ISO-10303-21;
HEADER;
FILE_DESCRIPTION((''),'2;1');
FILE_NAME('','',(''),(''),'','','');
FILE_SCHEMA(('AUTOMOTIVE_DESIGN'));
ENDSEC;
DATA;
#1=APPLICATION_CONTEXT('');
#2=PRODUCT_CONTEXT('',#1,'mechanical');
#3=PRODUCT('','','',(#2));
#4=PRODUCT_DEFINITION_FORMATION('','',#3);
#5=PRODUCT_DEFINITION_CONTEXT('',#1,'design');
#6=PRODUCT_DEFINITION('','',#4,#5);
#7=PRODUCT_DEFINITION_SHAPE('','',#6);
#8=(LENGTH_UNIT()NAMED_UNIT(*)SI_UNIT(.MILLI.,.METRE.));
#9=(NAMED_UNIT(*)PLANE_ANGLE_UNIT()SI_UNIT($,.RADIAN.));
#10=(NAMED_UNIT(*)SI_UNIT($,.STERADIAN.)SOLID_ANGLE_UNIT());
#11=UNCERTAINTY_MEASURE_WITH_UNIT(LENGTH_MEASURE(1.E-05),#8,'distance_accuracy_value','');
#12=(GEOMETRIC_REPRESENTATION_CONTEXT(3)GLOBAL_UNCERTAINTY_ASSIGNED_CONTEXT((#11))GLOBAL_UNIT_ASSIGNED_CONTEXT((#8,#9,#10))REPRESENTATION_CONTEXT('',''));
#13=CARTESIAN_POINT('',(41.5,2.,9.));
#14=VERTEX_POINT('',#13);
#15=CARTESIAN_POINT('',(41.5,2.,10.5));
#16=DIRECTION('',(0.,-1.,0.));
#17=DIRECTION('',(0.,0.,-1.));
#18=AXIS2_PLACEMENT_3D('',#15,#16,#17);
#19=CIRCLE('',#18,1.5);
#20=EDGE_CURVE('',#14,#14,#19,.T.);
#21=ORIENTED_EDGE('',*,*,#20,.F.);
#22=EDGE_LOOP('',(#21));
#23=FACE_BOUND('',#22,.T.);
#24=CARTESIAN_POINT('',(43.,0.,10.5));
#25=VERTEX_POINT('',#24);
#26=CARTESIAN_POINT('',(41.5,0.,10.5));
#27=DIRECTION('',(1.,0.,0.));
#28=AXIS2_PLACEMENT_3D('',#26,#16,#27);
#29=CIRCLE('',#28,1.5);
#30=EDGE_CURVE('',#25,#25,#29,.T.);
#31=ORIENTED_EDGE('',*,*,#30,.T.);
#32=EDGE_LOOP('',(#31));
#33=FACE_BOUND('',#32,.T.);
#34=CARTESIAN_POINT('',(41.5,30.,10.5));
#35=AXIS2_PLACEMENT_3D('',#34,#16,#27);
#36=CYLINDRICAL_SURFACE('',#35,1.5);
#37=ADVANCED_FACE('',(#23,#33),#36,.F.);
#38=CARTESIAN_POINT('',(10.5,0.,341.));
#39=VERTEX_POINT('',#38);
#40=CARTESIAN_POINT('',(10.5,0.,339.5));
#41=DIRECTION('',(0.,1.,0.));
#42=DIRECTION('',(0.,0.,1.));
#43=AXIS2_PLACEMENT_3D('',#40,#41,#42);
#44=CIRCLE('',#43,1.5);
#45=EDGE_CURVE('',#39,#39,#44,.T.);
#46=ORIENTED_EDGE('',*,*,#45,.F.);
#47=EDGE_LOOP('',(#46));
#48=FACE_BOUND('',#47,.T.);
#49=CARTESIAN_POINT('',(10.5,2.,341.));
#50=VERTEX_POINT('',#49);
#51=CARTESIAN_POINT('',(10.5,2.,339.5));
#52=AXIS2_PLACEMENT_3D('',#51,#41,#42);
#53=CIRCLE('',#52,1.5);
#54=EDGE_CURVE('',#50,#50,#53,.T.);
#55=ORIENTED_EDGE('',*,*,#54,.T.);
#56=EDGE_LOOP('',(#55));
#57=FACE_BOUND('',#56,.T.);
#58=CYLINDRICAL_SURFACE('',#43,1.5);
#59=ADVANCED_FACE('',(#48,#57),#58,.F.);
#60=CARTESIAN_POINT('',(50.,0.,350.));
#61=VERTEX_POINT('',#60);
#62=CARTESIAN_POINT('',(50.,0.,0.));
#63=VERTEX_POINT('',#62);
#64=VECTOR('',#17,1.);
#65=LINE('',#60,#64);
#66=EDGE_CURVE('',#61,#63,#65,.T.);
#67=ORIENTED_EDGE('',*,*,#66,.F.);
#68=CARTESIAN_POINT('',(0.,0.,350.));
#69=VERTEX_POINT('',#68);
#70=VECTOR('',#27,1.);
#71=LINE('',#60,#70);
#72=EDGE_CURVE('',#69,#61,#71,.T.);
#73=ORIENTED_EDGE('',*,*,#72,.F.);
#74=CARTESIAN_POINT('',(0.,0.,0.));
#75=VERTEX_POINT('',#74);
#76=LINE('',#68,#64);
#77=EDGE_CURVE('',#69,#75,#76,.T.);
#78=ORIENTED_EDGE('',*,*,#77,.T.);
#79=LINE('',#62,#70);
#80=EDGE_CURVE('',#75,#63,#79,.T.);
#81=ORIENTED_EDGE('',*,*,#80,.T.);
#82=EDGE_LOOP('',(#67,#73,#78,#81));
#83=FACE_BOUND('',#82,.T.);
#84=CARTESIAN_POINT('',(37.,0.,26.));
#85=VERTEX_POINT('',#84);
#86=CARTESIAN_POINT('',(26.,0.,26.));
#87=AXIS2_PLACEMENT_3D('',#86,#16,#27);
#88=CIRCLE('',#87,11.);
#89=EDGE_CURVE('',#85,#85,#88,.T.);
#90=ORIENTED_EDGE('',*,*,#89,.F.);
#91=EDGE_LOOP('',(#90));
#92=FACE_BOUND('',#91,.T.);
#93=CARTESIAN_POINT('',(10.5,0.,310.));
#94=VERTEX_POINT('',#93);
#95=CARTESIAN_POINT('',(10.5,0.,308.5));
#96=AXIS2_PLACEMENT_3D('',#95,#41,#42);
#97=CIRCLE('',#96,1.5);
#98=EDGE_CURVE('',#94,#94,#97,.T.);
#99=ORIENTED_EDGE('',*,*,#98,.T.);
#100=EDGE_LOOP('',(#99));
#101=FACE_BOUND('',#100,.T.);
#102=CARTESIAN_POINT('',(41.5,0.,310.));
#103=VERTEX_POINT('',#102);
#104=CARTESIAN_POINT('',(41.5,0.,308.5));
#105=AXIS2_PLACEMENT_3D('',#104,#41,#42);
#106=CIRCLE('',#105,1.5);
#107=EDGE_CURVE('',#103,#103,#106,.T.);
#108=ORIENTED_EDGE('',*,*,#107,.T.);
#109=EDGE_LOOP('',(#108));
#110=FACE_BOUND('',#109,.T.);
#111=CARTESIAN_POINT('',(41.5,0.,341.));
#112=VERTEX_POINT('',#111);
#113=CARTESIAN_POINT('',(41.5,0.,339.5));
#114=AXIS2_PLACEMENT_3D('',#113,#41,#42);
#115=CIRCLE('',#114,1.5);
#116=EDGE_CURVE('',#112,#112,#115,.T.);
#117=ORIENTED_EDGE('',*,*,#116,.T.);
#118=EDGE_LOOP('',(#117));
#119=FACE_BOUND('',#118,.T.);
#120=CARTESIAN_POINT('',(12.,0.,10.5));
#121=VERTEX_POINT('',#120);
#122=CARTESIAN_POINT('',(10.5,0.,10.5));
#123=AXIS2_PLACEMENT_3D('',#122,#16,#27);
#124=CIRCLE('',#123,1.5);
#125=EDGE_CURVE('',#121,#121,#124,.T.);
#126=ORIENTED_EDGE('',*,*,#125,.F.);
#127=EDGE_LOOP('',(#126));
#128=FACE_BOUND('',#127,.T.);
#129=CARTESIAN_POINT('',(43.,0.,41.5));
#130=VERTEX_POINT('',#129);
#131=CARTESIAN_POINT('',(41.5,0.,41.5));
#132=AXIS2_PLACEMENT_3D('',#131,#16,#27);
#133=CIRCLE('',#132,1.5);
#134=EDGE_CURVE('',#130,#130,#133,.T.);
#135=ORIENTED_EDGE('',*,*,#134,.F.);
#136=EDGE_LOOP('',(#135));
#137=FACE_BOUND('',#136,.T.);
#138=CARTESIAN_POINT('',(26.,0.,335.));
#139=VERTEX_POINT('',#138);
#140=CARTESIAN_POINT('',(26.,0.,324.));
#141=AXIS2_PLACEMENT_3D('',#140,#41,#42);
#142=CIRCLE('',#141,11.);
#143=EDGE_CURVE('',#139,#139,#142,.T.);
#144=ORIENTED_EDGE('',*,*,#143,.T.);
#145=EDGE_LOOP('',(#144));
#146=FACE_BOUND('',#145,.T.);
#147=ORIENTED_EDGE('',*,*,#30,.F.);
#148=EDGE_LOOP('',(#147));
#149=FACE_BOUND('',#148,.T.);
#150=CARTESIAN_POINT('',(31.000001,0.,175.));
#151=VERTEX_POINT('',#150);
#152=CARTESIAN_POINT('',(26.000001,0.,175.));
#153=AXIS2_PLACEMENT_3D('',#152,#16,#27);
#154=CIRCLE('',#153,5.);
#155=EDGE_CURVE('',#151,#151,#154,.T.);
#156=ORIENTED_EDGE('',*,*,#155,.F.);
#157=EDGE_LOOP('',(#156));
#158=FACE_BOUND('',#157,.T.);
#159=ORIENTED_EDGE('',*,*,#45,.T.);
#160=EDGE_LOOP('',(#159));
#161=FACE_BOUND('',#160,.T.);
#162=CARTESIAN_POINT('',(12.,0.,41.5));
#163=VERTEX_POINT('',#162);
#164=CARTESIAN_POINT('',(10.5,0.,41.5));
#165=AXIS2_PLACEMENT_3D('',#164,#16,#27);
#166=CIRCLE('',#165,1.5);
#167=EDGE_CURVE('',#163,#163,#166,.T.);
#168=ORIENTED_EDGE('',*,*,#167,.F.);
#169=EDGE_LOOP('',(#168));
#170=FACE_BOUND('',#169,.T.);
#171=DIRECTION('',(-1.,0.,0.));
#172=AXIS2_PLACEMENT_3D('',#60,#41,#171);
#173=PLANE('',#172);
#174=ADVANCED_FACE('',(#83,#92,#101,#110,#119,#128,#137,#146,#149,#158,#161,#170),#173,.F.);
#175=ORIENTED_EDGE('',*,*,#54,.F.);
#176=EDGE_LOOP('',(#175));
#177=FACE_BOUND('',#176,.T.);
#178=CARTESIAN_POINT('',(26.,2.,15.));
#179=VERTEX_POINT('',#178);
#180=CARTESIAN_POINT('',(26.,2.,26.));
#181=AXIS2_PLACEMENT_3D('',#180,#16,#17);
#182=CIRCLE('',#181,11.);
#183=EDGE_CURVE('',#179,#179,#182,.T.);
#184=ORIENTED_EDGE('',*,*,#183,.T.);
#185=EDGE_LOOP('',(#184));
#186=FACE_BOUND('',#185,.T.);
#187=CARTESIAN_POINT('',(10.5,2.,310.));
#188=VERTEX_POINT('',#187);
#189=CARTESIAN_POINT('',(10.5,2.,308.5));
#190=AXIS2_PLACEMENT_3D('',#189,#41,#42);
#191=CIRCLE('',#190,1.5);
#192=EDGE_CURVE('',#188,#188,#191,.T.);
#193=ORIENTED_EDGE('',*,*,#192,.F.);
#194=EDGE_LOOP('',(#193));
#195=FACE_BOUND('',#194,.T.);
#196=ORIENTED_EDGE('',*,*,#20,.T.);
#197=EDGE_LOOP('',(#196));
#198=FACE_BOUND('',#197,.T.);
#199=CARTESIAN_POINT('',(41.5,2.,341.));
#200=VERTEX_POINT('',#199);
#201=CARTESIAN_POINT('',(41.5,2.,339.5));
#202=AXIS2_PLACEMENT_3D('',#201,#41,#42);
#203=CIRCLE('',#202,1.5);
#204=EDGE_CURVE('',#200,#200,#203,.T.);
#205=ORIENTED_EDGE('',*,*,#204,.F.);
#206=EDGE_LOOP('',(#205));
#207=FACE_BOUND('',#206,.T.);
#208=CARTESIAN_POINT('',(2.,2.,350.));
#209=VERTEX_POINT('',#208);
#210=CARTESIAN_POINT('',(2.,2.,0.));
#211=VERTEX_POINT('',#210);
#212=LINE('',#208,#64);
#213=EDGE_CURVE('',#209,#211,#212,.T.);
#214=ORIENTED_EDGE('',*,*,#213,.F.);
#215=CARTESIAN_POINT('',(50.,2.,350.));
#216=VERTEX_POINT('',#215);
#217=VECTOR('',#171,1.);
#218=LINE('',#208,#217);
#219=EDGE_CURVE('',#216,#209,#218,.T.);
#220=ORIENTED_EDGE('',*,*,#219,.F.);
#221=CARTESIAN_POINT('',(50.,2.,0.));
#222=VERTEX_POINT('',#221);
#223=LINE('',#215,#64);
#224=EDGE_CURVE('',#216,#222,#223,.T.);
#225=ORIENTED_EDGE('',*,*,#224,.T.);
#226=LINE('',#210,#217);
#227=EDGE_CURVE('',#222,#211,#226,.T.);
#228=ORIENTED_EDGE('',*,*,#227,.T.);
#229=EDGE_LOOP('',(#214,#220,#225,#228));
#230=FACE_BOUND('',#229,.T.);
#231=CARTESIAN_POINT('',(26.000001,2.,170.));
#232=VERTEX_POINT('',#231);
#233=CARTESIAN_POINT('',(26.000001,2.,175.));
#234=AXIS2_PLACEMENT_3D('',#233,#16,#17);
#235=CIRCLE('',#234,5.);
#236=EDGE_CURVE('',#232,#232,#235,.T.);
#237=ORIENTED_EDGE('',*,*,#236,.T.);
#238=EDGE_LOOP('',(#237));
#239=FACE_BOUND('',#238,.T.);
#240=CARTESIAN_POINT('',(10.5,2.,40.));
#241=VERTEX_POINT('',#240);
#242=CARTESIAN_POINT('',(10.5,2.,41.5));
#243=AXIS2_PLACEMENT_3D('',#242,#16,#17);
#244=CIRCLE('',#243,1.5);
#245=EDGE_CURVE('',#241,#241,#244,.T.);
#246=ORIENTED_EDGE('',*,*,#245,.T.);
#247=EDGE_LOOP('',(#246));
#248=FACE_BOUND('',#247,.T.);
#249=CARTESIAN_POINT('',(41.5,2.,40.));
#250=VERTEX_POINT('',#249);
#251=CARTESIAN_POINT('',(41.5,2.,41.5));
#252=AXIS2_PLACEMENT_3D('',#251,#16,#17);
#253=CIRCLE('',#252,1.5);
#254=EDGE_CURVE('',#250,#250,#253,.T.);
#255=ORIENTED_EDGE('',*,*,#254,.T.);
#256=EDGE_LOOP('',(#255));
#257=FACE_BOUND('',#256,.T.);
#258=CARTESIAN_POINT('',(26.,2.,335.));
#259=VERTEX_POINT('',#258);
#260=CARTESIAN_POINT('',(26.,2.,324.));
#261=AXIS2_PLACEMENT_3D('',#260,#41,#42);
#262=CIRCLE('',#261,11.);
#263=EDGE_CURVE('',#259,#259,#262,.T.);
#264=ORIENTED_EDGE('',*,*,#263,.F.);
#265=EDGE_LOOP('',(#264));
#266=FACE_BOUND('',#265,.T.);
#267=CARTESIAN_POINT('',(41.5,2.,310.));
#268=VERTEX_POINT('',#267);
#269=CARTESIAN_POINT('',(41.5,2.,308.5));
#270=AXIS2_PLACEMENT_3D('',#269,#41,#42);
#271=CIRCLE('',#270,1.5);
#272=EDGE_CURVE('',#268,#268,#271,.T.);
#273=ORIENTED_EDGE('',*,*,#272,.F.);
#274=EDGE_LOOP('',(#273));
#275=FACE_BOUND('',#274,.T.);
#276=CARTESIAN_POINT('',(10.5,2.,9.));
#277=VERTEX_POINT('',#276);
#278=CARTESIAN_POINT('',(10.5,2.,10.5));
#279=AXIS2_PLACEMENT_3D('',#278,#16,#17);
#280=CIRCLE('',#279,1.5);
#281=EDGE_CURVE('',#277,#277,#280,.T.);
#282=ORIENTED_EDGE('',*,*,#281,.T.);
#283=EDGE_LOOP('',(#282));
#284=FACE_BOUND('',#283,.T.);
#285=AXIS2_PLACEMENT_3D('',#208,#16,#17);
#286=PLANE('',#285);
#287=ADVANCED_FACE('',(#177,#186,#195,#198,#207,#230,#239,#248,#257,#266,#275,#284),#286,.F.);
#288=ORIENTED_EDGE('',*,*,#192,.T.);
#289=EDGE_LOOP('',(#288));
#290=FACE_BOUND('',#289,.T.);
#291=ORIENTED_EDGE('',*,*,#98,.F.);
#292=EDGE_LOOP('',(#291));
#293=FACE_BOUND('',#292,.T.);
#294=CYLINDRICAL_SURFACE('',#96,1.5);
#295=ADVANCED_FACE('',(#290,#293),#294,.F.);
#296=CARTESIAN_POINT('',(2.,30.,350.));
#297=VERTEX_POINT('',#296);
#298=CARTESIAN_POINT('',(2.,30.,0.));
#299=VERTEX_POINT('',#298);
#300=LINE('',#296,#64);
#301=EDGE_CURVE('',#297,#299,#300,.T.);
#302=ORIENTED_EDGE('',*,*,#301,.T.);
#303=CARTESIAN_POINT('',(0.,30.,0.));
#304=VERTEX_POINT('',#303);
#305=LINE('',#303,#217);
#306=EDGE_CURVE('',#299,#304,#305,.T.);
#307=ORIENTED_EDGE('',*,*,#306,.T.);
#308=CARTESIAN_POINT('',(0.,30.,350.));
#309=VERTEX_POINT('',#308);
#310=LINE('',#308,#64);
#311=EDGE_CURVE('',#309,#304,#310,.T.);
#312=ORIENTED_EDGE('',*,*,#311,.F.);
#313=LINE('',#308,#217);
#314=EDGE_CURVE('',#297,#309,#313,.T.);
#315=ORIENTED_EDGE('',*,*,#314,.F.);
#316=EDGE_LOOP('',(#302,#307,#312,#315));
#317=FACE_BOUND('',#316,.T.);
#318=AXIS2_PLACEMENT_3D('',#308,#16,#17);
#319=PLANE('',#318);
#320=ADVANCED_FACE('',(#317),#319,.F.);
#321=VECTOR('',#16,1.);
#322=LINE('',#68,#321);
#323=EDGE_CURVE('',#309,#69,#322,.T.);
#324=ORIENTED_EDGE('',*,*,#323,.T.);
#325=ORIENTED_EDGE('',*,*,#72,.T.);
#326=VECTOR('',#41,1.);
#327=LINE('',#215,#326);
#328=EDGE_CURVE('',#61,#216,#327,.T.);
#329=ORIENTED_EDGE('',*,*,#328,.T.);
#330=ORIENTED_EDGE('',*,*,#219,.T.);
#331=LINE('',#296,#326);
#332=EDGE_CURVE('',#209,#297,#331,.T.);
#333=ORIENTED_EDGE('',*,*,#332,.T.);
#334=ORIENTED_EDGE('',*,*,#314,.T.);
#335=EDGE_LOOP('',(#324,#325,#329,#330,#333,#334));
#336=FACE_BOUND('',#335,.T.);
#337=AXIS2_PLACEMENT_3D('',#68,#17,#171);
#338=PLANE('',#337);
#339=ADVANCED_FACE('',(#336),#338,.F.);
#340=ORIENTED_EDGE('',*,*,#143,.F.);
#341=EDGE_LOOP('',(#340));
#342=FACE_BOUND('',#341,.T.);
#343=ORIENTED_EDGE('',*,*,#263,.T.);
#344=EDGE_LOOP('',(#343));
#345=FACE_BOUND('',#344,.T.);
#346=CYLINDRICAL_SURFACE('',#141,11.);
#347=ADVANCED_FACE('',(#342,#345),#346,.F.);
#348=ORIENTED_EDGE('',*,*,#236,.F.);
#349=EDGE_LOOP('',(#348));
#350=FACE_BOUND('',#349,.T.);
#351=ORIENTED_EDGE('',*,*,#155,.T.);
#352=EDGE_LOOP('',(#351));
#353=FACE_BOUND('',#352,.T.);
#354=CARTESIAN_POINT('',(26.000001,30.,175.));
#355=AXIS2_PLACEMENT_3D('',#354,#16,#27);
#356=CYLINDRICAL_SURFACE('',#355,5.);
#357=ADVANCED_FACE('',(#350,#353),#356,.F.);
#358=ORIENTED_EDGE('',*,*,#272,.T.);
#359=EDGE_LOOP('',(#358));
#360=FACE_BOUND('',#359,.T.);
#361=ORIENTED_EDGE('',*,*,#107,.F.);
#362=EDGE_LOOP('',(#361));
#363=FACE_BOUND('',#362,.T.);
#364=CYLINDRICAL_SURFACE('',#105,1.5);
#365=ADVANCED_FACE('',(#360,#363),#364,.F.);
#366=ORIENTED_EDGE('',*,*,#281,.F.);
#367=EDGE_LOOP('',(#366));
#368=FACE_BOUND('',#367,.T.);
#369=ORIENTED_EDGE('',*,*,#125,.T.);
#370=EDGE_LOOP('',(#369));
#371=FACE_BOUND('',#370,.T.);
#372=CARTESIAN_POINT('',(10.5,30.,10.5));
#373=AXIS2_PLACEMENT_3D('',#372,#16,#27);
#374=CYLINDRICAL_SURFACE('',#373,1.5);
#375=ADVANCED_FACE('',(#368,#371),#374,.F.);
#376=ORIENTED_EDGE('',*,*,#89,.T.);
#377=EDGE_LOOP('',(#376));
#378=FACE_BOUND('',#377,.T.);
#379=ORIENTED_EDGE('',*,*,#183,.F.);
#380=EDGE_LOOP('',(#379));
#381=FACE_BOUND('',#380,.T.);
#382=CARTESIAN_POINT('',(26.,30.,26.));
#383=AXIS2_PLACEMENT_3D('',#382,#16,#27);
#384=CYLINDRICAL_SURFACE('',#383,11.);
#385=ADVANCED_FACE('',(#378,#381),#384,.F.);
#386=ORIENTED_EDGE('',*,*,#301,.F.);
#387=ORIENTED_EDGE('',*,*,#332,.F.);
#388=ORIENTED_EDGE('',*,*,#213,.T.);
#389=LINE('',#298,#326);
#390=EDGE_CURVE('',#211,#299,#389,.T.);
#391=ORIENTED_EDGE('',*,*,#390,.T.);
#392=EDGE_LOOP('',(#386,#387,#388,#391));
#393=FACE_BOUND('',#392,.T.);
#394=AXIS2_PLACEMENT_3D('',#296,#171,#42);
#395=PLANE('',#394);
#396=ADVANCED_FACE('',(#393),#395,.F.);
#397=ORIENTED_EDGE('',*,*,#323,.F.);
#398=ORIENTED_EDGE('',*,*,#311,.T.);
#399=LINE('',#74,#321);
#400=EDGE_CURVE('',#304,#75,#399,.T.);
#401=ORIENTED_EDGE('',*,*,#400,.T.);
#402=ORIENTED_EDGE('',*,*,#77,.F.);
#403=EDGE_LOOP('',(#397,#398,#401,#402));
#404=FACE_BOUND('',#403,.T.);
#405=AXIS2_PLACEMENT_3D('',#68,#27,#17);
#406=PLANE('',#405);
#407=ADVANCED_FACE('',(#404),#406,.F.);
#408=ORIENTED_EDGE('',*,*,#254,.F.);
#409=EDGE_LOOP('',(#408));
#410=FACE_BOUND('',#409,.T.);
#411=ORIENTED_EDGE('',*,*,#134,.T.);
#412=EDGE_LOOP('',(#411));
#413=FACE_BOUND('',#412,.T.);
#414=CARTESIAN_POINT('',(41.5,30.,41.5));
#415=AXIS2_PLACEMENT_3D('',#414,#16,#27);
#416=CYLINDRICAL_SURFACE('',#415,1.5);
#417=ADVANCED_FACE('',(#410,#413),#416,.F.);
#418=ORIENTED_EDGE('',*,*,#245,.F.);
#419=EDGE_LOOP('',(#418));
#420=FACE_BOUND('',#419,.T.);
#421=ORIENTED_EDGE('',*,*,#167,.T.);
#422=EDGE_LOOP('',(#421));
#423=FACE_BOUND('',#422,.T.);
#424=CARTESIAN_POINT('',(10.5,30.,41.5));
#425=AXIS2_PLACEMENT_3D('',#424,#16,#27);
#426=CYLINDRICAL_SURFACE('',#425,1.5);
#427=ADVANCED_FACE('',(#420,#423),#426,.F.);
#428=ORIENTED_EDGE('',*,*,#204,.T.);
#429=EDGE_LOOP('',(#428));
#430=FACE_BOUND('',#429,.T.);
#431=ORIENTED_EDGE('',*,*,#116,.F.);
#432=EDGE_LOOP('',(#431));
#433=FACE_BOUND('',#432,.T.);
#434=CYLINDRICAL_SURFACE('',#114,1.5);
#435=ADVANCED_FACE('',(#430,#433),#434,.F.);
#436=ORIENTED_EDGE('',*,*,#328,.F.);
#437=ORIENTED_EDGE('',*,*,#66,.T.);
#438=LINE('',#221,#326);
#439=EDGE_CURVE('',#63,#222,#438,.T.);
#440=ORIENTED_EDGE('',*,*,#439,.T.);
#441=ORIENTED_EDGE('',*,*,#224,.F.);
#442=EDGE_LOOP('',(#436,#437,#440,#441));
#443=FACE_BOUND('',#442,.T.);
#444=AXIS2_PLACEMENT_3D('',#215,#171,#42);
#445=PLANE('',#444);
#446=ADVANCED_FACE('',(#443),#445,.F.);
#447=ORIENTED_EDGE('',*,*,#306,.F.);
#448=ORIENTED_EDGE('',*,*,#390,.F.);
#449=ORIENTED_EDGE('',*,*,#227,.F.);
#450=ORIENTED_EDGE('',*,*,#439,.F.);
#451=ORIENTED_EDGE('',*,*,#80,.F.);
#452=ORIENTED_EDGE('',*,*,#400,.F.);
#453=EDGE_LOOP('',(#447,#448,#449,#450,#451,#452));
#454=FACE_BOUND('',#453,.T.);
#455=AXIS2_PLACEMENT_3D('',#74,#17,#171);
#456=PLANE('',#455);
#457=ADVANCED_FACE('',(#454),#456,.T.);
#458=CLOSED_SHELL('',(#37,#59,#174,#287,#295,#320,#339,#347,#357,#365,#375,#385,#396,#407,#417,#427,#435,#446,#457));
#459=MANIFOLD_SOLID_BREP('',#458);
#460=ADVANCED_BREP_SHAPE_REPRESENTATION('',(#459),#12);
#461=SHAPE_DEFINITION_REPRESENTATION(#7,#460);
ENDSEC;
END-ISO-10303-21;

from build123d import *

# Parameters (mm, degrees)
BOSS_EXTRUDE1_DEPTH = 350
SKETCH6_R           = 1.5
CUT_EXTRUDE3_DEPTH  = 355.660400947
SKETCH7_R           = 11
CUT_EXTRUDE4_DEPTH  = 355.660400947
SKETCH8_R           = 11
CUT_EXTRUDE5_DEPTH  = 355.823899984
SKETCH9_R           = 1.5
CUT_EXTRUDE6_DEPTH  = 355.823899984
SKETCH10_R          = 5
CUT_EXTRUDE7_DEPTH  = 355.823899984


with BuildPart() as part:
    # Sketch1 → Boss-Extrude1 (new body)
    with BuildSketch(Plane.XY):
        Polygon((0, 0), (0, 30), (2, 30), (2, 2), (50, 2), (50, 0), align=None)
    extrude(amount=BOSS_EXTRUDE1_DEPTH)

    # Sketch6 → Cut-Extrude3 (cut, through all)
    with BuildSketch(Plane(origin=(0, 2, 0), x_dir=(1, 0, 0), z_dir=(0, 1, 0))):
        with Locations(Location((41.5, -339.5, 0), (0, 0, 270))):
            Circle(SKETCH6_R)
        with Locations(Location((10.5, -308.5, 0), (0, 0, 270))):
            Circle(SKETCH6_R)
        with Locations(Location((10.5, -339.5, 0), (0, 0, 270))):
            Circle(SKETCH6_R)
        with Locations(Location((41.5, -308.5, 0), (0, 0, 270))):
            Circle(SKETCH6_R)
    extrude(amount=-CUT_EXTRUDE3_DEPTH, mode=Mode.SUBTRACT)

    # Sketch7 → Cut-Extrude4 (cut, through all)
    with BuildSketch(Plane(origin=(0, 2, 0), x_dir=(1, 0, 0), z_dir=(0, 1, 0))):
        with Locations(Location((26, -324, 0), (0, 0, 270))):
            Circle(SKETCH7_R)
    extrude(amount=-CUT_EXTRUDE4_DEPTH, mode=Mode.SUBTRACT)

    # Sketch8 → Cut-Extrude5 (cut, through all)
    with BuildSketch(Plane(origin=(0, 0, 0), x_dir=(-1, 0, 0), z_dir=(0, -1, 0))):
        with Locations(Location((-26, -26, 0), (0, 0, 180))):
            Circle(SKETCH8_R)
    extrude(amount=-CUT_EXTRUDE5_DEPTH, mode=Mode.SUBTRACT)

    # Sketch9 → Cut-Extrude6 (cut, through all)
    with BuildSketch(Plane.XZ):
        with Locations((41.5, 41.5)):
            Circle(SKETCH9_R)
        with Locations((10.5, 41.5)):
            Circle(SKETCH9_R)
        with Locations((10.5, 10.5)):
            Circle(SKETCH9_R)
        with Locations((41.5, 10.5)):
            Circle(SKETCH9_R)
    extrude(amount=-CUT_EXTRUDE6_DEPTH, mode=Mode.SUBTRACT)

    # Sketch10 → Cut-Extrude7 (cut, through all)
    with BuildSketch(Plane.XZ):
        with Locations((26.000000572, 175)):
            Circle(SKETCH10_R)
    extrude(amount=-CUT_EXTRUDE7_DEPTH, mode=Mode.SUBTRACT)


solid = part.part
